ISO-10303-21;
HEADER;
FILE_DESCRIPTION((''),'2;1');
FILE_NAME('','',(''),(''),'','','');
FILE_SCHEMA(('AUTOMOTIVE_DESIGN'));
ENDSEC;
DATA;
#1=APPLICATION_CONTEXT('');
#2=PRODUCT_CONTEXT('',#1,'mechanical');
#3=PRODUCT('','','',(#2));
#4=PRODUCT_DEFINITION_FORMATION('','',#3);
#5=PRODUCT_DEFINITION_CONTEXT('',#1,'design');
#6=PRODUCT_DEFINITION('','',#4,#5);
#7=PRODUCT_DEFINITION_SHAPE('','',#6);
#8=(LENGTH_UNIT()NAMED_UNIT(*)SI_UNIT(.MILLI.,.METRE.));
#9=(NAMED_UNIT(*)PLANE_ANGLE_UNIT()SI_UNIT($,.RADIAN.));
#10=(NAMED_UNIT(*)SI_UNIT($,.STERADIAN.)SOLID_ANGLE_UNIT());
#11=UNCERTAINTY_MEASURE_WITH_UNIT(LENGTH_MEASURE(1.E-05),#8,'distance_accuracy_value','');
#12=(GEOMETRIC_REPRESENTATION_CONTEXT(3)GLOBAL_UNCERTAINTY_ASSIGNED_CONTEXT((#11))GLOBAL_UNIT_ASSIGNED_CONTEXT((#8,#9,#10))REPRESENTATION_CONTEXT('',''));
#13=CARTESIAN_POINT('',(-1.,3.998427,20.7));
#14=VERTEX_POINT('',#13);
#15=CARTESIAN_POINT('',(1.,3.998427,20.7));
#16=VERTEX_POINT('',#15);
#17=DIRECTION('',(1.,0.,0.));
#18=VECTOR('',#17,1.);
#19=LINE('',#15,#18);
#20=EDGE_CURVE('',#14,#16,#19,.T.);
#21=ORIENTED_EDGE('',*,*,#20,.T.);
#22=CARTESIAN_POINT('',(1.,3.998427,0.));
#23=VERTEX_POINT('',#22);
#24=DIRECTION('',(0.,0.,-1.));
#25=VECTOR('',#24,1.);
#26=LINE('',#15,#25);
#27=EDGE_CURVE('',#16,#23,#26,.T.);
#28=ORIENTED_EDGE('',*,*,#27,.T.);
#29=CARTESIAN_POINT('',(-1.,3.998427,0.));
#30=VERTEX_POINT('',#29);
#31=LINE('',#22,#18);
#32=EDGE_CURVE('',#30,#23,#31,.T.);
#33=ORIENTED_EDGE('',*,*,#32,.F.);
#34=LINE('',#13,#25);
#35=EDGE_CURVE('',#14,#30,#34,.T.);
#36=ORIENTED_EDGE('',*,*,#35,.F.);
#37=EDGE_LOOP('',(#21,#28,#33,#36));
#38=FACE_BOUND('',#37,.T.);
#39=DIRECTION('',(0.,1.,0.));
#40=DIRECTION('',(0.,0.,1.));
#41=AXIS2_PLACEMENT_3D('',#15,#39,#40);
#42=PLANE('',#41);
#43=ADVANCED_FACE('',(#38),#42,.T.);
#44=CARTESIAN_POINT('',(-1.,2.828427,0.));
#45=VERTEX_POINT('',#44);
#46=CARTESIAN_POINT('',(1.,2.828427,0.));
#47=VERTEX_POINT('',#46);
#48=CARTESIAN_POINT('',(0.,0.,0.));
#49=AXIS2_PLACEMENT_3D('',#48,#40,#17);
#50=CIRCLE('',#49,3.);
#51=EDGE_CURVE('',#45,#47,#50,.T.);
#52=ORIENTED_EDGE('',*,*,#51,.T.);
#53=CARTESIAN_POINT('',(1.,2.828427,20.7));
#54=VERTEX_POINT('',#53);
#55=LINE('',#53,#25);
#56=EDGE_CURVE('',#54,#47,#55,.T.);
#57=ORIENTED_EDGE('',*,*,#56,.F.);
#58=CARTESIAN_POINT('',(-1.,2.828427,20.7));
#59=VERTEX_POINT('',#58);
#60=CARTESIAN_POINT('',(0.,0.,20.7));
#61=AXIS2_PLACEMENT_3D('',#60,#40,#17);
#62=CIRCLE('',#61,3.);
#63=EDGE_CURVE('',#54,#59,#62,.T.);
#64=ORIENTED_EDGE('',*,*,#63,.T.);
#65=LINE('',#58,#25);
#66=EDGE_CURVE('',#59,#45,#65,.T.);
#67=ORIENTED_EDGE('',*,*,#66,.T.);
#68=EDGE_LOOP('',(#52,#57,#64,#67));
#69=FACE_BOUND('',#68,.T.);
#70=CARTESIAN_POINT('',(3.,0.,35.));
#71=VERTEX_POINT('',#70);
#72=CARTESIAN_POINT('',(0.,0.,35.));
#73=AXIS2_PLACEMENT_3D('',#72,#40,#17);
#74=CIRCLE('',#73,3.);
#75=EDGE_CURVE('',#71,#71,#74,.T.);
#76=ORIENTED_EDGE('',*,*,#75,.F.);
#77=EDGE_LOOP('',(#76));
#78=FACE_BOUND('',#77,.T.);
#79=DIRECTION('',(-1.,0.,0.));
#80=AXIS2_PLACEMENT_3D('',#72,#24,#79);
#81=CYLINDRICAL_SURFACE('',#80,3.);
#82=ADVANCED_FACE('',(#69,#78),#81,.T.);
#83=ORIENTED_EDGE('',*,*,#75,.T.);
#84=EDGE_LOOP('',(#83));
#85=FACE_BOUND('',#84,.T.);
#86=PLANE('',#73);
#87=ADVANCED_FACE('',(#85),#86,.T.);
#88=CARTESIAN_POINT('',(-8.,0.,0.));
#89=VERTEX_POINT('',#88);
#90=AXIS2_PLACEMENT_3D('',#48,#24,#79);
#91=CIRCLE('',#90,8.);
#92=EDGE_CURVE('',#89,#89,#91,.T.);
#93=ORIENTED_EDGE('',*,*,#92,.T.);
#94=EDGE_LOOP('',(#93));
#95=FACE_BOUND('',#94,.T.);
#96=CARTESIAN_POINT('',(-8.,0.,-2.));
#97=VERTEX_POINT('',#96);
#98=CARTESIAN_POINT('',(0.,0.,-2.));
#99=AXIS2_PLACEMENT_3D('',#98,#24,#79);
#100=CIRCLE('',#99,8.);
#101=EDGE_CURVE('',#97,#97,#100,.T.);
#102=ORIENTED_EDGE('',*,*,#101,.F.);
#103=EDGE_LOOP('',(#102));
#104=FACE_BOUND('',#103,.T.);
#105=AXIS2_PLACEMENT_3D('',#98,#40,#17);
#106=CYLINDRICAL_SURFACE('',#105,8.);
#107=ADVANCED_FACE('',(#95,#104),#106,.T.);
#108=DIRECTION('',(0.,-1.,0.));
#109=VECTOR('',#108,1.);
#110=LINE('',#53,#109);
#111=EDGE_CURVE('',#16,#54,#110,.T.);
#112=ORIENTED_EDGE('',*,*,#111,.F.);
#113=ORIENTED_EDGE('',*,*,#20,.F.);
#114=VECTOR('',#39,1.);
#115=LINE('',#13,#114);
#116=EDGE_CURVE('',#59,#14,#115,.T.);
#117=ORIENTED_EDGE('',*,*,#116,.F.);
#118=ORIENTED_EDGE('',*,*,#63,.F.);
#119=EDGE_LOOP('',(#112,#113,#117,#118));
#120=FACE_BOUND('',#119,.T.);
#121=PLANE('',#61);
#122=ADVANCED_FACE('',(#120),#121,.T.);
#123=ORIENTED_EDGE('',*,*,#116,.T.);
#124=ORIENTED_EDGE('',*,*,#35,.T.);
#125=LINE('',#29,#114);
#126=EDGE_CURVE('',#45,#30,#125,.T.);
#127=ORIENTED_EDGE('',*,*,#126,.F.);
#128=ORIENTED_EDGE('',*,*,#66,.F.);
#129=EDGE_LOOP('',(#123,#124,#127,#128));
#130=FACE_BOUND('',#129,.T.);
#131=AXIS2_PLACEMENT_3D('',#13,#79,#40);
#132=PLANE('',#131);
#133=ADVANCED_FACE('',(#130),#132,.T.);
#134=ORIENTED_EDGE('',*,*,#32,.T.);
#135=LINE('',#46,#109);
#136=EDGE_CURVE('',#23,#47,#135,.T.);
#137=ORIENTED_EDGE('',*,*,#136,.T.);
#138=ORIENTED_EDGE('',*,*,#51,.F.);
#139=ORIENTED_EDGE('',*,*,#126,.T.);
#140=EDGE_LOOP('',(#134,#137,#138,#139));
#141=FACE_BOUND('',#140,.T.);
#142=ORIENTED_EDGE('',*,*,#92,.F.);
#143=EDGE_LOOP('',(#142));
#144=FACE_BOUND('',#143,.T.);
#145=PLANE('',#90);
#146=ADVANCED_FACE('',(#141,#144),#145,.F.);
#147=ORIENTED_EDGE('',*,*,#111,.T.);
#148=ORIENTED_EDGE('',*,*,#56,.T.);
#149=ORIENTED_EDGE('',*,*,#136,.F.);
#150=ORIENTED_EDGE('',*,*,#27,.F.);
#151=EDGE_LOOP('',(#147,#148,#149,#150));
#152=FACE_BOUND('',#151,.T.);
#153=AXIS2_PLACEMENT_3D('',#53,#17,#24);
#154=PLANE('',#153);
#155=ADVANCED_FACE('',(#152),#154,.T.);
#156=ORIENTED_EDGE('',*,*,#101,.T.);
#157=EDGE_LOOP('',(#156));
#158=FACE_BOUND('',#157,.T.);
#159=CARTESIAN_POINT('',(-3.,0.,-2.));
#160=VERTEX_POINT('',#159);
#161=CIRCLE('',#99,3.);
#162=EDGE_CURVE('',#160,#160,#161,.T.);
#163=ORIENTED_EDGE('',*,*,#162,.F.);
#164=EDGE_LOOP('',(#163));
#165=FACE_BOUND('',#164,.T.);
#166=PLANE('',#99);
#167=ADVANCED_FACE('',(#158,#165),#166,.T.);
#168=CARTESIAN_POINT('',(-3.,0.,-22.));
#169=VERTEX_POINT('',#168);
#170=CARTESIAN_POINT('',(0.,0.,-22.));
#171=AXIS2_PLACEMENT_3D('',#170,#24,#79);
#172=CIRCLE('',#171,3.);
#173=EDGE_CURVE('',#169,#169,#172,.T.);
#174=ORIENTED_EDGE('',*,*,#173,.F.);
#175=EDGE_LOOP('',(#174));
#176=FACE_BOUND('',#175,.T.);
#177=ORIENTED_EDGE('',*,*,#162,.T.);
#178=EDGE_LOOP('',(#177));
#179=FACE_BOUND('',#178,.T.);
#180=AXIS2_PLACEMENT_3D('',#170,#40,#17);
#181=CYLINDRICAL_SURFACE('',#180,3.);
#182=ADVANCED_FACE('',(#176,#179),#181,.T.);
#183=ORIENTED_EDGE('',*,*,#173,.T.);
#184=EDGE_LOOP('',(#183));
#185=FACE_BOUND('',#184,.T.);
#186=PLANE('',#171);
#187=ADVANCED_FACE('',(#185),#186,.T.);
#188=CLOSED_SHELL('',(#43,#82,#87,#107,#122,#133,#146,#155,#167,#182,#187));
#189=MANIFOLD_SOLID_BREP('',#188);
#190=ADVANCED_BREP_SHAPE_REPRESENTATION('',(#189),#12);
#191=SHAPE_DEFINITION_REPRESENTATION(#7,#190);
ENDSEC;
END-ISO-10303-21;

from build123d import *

# Parameters (mm, degrees)
SKETCH1_R           = 3
BOSS_EXTRUDE1_DEPTH = 35
SKETCH3_R           = 8
BOSS_EXTRUDE3_DEPTH = 2
SKETCH2_W           = 2
SKETCH2_H           = 1.17
BOSS_EXTRUDE4_DEPTH = 20.7
SKETCH4_R           = 3
BOSS_EXTRUDE5_DEPTH = 20


with BuildPart() as part:
    # Sketch1 → Boss-Extrude1 (new body)
    with BuildSketch(Plane.XY):
        Circle(SKETCH1_R)
    extrude(amount=BOSS_EXTRUDE1_DEPTH)

    # Sketch3 → Boss-Extrude3 (add)
    with BuildSketch(Plane(origin=(0, 0, 0), x_dir=(-1, 0, 0), z_dir=(0, 0, -1))):
        Circle(SKETCH3_R)
    extrude(amount=BOSS_EXTRUDE3_DEPTH)

    # Sketch2 → Boss-Extrude4 (add)
    with BuildSketch(Plane(origin=(0, 0, 0), x_dir=(-1, 0, 0), z_dir=(0, 0, -1))):
        with Locations((0, 3.413427125)):
            Rectangle(SKETCH2_W, SKETCH2_H)
    extrude(amount=-BOSS_EXTRUDE4_DEPTH)

    # Sketch4 → Boss-Extrude5 (add)
    with BuildSketch(Plane(origin=(0, 0, -2), x_dir=(-1, 0, 0), z_dir=(0, 0, -1))):
        Circle(SKETCH4_R)
    extrude(amount=BOSS_EXTRUDE5_DEPTH)


solid = part.part
